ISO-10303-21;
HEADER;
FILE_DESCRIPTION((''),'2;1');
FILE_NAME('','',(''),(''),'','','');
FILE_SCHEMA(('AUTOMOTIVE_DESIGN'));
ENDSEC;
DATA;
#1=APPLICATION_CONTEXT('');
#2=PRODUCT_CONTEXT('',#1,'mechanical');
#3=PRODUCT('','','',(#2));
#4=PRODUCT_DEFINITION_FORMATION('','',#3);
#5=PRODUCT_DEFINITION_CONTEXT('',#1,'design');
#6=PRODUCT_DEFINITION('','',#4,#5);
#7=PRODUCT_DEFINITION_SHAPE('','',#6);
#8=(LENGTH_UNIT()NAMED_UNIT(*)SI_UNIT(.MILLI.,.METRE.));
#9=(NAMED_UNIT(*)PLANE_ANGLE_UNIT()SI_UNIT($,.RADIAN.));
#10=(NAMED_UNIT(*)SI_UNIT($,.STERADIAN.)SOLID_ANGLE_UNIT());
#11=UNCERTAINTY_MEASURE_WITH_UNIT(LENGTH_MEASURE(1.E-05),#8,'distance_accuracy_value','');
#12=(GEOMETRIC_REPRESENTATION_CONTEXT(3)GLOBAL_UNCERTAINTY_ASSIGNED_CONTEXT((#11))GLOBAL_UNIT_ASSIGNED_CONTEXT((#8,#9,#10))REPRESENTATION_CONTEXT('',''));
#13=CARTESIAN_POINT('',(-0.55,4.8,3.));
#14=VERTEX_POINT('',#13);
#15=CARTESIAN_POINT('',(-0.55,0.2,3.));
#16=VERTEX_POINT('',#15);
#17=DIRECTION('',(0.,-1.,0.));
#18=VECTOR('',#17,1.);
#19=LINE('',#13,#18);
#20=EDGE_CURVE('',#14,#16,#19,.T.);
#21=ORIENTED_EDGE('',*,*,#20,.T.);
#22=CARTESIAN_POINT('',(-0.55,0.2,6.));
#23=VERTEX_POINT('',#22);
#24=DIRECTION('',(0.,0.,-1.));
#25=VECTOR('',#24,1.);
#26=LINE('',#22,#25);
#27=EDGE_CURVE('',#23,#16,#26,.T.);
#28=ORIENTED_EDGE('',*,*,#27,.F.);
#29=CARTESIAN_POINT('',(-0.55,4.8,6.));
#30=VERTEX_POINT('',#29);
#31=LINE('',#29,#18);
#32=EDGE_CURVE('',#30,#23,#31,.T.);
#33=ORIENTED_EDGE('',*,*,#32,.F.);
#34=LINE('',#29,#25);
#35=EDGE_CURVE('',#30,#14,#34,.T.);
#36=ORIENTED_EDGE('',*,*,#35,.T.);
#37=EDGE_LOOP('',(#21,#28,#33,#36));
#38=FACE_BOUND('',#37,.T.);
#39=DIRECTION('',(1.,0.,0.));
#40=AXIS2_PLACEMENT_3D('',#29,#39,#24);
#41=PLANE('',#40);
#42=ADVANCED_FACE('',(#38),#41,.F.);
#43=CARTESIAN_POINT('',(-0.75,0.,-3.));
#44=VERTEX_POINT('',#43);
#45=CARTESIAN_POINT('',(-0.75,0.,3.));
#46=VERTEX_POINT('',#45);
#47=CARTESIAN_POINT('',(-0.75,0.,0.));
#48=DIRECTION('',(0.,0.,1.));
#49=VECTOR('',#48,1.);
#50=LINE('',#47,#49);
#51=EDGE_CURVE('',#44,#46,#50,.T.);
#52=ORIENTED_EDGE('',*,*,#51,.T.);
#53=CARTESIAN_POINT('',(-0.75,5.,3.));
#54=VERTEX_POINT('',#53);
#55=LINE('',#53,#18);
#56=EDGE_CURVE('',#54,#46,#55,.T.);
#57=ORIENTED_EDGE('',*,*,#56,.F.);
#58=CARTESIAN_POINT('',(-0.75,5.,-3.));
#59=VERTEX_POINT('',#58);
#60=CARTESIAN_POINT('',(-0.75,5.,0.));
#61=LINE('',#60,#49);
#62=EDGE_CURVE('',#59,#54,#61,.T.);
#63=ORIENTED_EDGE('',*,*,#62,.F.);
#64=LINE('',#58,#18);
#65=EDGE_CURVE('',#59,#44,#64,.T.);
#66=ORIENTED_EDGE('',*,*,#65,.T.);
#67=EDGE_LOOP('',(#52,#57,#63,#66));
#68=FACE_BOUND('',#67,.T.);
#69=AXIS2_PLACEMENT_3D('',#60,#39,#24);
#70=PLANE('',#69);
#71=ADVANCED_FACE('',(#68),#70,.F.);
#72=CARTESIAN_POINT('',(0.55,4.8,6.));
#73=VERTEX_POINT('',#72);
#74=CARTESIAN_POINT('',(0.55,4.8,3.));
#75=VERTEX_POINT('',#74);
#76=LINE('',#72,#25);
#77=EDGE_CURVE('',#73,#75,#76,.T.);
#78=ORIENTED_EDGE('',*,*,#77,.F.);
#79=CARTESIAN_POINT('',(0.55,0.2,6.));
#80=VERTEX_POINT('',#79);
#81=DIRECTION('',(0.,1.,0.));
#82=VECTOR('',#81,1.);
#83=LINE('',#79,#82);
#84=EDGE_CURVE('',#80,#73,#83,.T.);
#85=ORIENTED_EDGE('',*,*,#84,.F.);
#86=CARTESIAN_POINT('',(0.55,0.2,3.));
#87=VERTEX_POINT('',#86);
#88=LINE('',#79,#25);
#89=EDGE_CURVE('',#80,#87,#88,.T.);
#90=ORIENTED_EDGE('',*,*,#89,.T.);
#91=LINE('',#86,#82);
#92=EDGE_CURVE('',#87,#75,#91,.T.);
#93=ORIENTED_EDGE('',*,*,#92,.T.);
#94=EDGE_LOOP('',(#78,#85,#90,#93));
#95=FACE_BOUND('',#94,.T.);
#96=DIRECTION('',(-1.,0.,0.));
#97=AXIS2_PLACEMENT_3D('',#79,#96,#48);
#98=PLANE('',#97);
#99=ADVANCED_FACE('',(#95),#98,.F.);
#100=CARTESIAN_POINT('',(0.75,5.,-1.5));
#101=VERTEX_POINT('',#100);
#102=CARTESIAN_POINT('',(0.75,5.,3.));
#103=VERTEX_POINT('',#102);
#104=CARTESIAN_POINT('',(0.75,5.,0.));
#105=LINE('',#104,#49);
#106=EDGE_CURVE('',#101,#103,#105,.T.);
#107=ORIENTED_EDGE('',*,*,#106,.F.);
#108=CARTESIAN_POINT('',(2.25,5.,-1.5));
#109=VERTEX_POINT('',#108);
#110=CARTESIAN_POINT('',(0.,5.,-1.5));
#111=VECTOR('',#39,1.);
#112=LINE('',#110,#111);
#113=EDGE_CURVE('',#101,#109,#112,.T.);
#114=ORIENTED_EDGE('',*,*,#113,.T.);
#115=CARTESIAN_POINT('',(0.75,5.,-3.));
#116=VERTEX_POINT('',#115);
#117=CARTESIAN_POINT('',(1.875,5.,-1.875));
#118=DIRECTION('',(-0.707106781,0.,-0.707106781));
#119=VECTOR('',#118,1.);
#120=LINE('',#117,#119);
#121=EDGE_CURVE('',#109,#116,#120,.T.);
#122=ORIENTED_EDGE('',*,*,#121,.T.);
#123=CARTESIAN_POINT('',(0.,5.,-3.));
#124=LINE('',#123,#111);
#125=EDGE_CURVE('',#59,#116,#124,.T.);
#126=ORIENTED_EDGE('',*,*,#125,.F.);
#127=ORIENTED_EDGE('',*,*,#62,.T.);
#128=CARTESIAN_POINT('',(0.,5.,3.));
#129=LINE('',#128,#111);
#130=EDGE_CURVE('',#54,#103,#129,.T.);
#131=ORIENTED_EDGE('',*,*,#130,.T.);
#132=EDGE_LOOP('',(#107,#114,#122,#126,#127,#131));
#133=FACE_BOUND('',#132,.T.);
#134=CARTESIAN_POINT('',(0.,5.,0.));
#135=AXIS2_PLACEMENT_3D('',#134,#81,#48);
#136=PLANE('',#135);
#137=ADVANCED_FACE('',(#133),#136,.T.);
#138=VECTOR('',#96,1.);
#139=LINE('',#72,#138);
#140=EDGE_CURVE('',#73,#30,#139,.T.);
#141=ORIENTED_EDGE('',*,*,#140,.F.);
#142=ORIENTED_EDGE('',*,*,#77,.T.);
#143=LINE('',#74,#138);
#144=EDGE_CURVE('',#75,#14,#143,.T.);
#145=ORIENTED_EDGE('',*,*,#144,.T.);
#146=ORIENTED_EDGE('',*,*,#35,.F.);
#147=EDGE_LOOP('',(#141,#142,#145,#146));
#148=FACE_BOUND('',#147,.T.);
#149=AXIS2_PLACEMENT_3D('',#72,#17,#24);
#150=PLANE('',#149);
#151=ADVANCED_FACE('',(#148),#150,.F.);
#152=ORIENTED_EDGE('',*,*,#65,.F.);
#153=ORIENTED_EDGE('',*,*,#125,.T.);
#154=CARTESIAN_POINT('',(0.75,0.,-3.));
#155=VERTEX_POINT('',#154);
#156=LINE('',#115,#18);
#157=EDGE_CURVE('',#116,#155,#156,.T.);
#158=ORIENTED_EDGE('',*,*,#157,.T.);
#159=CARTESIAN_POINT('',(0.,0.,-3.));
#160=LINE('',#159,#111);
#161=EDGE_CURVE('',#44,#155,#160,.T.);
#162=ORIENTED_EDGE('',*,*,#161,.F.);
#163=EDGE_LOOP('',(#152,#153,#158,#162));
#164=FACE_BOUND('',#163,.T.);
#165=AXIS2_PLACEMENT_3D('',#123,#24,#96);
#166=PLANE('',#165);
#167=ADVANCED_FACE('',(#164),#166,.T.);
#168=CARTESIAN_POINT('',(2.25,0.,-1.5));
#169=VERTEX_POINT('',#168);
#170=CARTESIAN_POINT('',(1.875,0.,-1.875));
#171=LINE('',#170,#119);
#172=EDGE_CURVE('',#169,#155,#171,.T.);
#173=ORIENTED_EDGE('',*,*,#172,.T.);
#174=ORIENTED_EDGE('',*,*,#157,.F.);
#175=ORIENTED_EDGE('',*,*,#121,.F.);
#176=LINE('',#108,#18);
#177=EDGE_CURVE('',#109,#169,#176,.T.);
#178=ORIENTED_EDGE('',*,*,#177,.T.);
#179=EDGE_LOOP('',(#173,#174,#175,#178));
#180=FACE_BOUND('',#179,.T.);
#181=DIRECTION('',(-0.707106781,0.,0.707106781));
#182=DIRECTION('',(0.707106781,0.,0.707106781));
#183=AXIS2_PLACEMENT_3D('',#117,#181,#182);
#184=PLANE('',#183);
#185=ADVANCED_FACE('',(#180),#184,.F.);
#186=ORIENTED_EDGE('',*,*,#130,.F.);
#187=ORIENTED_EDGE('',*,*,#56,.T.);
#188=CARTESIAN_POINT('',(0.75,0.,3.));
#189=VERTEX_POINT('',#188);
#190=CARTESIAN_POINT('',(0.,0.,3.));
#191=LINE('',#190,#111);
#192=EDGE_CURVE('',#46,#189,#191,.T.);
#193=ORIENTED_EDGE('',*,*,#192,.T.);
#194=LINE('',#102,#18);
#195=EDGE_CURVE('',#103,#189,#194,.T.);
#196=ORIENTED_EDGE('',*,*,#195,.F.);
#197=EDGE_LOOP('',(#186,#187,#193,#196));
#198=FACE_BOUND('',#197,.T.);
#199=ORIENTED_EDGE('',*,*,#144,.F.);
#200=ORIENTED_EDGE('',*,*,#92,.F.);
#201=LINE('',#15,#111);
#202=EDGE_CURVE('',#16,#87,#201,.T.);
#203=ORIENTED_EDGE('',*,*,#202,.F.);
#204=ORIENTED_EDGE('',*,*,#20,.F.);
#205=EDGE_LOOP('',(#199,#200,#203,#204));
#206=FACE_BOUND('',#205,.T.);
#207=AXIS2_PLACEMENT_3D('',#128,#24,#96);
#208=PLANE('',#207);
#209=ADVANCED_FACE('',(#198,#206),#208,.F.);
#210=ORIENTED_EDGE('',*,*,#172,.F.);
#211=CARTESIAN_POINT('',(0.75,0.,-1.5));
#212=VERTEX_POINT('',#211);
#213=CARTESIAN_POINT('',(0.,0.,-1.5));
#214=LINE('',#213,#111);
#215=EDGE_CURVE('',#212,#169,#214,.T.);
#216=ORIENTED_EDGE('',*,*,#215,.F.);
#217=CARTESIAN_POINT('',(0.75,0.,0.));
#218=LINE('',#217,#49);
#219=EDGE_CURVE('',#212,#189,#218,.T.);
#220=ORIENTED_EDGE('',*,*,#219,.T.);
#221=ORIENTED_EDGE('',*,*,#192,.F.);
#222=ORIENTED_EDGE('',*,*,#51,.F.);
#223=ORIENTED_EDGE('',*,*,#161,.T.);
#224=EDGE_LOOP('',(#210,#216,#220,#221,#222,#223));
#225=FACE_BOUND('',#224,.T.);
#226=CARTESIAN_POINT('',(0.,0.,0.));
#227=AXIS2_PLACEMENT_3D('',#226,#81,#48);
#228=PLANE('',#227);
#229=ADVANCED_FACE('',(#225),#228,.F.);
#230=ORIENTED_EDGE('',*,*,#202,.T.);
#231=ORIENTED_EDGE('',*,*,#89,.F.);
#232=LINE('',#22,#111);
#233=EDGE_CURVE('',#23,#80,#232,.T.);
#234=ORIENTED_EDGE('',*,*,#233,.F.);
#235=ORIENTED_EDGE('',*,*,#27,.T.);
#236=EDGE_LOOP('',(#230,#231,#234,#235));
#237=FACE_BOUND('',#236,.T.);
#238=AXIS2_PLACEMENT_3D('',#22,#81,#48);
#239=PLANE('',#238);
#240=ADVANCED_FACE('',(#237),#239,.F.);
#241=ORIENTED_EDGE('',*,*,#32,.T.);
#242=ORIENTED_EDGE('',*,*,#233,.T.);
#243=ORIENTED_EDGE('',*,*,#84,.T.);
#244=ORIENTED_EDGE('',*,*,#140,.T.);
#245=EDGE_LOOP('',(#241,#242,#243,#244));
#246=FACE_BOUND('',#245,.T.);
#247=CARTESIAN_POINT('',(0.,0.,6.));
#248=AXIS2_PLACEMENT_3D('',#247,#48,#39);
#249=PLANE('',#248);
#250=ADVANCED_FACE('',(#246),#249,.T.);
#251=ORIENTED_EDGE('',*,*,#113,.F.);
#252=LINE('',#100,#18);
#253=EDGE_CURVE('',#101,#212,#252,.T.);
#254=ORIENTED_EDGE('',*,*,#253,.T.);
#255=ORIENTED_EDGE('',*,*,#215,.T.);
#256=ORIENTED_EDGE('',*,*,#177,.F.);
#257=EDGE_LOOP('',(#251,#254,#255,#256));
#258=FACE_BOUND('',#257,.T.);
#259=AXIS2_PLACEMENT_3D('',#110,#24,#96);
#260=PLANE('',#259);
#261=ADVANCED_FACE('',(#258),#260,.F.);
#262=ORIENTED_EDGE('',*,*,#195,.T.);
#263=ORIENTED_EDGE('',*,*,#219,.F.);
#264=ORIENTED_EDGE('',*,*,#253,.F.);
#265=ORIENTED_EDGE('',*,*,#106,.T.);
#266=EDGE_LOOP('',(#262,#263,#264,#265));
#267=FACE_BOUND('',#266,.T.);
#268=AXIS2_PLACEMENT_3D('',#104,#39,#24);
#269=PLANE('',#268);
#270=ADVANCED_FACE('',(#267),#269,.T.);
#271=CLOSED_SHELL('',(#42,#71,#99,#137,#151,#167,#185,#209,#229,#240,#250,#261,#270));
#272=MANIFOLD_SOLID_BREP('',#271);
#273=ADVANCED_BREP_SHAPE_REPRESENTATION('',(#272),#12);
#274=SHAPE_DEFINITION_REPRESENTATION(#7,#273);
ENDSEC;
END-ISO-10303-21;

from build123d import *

# Parameters (mm, degrees)
BOSS_EXTRUDE1_DEPTH = 5
SKETCH2_W           = 1.1
SKETCH2_H           = 4.6
BOSS_EXTRUDE2_DEPTH = 3


with BuildPart() as part:
    # Sketch1 → Boss-Extrude1 (new body)
    with BuildSketch(Plane(origin=(0, 0, 0), x_dir=(1, 0, 0), z_dir=(0, 1, 0))):
        Polygon((0.75, 1.5), (2.25, 1.5), (0.75, 3), (-0.75, 3), (-0.75, -3), (-0.7, -3), (0.7, -3), (0.75, -3), align=None)
    extrude(amount=BOSS_EXTRUDE1_DEPTH)

    # Sketch2 → Boss-Extrude2 (add)
    with BuildSketch(Plane.XY.offset(3)):
        with Locations((0, 2.5)):
            Rectangle(SKETCH2_W, SKETCH2_H)
    extrude(amount=BOSS_EXTRUDE2_DEPTH)


solid = part.part
